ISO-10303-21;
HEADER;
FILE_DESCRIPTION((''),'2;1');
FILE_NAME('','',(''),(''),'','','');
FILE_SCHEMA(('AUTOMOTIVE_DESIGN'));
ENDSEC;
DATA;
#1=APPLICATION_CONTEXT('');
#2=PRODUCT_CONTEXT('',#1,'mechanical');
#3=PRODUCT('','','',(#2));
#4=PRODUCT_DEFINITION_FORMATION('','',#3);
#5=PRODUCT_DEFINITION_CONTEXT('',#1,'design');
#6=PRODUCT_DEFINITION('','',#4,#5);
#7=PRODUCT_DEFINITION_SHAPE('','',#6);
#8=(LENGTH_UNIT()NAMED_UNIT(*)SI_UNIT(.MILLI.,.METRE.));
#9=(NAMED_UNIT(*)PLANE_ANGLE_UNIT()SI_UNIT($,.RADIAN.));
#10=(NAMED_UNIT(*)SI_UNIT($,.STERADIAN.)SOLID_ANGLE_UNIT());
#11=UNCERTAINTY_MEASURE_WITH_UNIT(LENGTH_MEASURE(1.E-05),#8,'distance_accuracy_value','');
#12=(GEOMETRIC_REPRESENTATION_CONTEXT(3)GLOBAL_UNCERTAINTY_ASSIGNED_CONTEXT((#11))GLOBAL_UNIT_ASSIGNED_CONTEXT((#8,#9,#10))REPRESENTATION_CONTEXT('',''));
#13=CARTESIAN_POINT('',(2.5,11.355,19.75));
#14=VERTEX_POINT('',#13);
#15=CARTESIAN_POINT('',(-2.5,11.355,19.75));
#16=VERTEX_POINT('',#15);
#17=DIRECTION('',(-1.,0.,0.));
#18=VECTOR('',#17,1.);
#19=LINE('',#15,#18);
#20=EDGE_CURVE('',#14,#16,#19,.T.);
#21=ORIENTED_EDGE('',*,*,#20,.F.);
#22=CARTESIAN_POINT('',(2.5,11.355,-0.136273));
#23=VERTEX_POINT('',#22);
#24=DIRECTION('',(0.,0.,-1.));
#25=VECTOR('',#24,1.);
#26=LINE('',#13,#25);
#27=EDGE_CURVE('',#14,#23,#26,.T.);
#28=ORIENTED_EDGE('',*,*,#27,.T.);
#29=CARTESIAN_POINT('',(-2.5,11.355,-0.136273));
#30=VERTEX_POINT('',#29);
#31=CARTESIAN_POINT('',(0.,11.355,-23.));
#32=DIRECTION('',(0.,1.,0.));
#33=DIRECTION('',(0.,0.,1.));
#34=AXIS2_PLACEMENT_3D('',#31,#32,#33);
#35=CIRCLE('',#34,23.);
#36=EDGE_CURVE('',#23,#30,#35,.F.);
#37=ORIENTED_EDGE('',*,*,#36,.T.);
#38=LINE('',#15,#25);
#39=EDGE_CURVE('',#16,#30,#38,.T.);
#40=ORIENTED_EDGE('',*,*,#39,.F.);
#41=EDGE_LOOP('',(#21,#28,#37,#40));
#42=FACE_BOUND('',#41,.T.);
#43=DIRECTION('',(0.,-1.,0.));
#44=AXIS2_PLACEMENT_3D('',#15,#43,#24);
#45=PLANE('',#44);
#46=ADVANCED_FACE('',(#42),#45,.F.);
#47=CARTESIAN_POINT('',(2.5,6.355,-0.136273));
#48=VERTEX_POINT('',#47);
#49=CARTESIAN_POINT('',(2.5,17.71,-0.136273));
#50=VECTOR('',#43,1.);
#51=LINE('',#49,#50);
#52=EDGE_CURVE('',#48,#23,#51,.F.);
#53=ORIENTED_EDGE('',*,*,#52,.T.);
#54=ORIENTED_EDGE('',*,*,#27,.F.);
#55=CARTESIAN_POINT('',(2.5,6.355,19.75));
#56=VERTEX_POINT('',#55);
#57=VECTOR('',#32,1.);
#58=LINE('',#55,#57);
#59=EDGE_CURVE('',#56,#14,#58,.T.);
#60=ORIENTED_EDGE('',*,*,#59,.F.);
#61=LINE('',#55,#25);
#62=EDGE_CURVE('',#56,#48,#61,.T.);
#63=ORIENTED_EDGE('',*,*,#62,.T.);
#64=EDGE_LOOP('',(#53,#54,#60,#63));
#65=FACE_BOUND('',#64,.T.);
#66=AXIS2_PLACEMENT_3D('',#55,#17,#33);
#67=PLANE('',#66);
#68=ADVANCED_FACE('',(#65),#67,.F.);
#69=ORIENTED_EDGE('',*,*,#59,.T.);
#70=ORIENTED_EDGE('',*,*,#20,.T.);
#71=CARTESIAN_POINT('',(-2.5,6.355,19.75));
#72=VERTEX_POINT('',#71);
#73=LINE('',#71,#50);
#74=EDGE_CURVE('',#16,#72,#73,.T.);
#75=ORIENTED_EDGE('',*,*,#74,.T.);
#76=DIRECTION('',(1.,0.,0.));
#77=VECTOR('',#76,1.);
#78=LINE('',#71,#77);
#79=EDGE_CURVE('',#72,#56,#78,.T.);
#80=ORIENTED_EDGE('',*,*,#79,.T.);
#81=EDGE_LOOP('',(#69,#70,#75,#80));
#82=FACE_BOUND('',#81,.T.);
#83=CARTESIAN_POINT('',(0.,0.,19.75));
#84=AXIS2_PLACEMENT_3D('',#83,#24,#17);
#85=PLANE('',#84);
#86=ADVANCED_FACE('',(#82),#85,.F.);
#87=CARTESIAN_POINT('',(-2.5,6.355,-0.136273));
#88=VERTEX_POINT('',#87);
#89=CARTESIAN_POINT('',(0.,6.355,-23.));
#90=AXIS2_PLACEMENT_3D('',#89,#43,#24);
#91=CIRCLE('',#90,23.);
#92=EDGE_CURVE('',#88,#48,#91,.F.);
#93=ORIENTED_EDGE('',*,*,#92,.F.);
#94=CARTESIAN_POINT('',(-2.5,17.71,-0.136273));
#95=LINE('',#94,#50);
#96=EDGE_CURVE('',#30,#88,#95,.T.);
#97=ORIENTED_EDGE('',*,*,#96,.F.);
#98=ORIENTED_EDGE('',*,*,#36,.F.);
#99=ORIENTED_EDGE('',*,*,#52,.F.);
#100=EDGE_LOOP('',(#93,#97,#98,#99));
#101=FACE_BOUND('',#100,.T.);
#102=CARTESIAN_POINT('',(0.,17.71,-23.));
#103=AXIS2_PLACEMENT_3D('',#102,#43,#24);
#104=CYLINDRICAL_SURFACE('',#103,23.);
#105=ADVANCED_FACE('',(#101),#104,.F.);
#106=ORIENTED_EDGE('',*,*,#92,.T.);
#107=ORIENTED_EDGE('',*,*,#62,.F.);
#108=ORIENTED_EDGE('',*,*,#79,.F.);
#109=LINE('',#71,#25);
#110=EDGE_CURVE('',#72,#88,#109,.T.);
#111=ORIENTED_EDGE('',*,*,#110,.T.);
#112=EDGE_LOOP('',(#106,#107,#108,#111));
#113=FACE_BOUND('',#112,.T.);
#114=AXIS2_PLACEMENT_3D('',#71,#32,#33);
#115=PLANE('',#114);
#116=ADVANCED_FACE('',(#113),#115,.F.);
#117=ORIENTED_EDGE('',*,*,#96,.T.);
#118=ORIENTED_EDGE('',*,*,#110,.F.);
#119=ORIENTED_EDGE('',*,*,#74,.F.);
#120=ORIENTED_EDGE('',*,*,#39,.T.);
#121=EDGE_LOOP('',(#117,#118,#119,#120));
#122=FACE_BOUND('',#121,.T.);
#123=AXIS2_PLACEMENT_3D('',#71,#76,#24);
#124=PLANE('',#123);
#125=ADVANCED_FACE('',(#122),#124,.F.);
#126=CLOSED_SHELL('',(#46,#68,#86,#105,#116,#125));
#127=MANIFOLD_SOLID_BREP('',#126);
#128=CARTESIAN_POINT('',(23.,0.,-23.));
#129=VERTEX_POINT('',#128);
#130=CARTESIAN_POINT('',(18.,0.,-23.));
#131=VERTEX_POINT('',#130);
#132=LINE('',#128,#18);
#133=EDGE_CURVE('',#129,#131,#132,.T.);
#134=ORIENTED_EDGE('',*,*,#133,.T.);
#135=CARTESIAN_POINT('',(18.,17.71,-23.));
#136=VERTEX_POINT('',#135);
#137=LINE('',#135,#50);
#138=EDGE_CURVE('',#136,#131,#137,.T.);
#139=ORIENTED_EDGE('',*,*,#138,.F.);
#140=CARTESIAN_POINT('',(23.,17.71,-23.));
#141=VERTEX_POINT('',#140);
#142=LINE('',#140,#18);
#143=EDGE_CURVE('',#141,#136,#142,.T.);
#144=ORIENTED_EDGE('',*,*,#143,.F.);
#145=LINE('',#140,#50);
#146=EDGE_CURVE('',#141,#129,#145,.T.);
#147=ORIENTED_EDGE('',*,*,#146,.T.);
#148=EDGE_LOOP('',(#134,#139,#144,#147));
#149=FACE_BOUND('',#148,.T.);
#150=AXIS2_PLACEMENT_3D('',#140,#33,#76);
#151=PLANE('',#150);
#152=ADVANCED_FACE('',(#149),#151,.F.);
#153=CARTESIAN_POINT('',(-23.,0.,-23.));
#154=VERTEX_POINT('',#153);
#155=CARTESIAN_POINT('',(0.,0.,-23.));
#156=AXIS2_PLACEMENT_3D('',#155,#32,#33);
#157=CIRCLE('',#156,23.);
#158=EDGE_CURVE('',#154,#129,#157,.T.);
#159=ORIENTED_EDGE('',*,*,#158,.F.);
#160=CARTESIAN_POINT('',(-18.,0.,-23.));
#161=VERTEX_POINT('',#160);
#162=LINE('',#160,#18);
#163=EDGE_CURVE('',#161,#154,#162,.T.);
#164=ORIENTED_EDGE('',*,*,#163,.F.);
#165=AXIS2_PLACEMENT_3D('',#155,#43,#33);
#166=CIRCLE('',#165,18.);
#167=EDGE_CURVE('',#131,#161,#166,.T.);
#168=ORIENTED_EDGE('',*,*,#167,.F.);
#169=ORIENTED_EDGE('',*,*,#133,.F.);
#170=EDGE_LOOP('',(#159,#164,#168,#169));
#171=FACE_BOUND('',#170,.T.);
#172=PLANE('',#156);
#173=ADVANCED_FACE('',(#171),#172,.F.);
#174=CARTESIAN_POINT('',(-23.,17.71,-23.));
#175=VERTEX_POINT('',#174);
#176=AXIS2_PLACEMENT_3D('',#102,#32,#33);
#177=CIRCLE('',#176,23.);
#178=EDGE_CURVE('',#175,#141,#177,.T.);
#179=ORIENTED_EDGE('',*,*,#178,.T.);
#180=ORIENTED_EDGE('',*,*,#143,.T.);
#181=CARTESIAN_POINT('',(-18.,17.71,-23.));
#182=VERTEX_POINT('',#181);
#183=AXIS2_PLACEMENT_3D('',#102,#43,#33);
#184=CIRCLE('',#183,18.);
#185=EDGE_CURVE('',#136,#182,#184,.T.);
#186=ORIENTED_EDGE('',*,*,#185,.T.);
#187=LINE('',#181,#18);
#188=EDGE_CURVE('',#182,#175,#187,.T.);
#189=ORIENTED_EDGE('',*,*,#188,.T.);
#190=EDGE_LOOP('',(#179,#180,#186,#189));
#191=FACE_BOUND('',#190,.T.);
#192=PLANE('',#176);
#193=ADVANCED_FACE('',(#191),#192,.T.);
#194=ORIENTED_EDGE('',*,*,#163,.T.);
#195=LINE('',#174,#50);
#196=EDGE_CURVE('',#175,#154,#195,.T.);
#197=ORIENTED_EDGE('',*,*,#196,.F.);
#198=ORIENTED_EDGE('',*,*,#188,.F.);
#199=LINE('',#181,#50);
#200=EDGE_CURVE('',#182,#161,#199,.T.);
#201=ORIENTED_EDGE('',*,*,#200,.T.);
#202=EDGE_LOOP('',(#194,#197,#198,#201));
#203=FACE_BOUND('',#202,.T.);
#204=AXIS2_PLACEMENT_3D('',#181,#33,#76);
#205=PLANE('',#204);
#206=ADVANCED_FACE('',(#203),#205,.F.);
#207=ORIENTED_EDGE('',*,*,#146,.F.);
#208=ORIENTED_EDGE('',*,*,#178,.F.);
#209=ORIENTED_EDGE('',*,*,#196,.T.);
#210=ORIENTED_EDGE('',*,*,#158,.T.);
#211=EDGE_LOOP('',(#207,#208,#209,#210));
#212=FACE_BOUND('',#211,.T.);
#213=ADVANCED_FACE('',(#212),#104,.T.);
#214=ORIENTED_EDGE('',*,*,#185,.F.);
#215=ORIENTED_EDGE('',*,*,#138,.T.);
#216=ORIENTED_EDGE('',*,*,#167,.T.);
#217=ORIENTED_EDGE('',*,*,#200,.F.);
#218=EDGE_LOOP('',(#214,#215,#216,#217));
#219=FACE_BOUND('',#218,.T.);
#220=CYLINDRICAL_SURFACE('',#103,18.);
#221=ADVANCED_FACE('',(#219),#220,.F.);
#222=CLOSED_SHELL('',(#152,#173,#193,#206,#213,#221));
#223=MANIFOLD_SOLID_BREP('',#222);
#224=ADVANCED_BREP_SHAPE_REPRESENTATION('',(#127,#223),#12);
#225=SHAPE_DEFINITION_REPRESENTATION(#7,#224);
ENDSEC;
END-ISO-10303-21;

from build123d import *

# Parameters (mm, degrees)
BOSS_EXTRUDE1_DEPTH             = 17.71
SKETCH2_W                       = 5
SKETCH2_H                       = 5
BOSS_EXTRUDE2_DEPTH             = 19.75
BOSS_EXTRUDE2_DIRECTION_2_REACH = 25


with BuildPart() as part:
    # Sketch1 → Boss-Extrude1 (new body)
    with BuildSketch(Plane(origin=(0, 0, 0), x_dir=(1, 0, 0), z_dir=(0, 1, 0))):
        with BuildLine():
            Line((23, 23), (18, 23))
            ThreePointArc((18, 23), (0, 5), (-18, 23))
            Line((-18, 23), (-23, 23))
            ThreePointArc((-23, 23), (0, 0), (23, 23))
        make_face()
    extrude(amount=BOSS_EXTRUDE1_DEPTH)


with BuildPart() as body_2:
    # Sketch2 → Boss-Extrude2 (new body)
    with BuildSketch(Plane.XY):
        with Locations((0, 8.855)):
            Rectangle(SKETCH2_W, SKETCH2_H)
    extrude(amount=BOSS_EXTRUDE2_DEPTH)


    # Sketch2 → Boss-Extrude2 direction 2 (add, up to next)
    with BuildSketch(Plane.XY, mode=Mode.PRIVATE) as boss_extrude2_direction_2_sk1:
        with Locations((0, 8.855)):
            Rectangle(SKETCH2_W, SKETCH2_H)
    boss_extrude2_direction_2_tool1 = extrude(boss_extrude2_direction_2_sk1.sketch, amount=-BOSS_EXTRUDE2_DIRECTION_2_REACH, mode=Mode.PRIVATE) - part.part
    add(boss_extrude2_direction_2_tool1.solids().sort_by_distance((0, 8.855, 0))[0])
    add(boss_extrude2_direction_2_tool1.solids().sort_by_distance((0, 8.855, 0))[1])


solid = Compound([part.part, body_2.part])
